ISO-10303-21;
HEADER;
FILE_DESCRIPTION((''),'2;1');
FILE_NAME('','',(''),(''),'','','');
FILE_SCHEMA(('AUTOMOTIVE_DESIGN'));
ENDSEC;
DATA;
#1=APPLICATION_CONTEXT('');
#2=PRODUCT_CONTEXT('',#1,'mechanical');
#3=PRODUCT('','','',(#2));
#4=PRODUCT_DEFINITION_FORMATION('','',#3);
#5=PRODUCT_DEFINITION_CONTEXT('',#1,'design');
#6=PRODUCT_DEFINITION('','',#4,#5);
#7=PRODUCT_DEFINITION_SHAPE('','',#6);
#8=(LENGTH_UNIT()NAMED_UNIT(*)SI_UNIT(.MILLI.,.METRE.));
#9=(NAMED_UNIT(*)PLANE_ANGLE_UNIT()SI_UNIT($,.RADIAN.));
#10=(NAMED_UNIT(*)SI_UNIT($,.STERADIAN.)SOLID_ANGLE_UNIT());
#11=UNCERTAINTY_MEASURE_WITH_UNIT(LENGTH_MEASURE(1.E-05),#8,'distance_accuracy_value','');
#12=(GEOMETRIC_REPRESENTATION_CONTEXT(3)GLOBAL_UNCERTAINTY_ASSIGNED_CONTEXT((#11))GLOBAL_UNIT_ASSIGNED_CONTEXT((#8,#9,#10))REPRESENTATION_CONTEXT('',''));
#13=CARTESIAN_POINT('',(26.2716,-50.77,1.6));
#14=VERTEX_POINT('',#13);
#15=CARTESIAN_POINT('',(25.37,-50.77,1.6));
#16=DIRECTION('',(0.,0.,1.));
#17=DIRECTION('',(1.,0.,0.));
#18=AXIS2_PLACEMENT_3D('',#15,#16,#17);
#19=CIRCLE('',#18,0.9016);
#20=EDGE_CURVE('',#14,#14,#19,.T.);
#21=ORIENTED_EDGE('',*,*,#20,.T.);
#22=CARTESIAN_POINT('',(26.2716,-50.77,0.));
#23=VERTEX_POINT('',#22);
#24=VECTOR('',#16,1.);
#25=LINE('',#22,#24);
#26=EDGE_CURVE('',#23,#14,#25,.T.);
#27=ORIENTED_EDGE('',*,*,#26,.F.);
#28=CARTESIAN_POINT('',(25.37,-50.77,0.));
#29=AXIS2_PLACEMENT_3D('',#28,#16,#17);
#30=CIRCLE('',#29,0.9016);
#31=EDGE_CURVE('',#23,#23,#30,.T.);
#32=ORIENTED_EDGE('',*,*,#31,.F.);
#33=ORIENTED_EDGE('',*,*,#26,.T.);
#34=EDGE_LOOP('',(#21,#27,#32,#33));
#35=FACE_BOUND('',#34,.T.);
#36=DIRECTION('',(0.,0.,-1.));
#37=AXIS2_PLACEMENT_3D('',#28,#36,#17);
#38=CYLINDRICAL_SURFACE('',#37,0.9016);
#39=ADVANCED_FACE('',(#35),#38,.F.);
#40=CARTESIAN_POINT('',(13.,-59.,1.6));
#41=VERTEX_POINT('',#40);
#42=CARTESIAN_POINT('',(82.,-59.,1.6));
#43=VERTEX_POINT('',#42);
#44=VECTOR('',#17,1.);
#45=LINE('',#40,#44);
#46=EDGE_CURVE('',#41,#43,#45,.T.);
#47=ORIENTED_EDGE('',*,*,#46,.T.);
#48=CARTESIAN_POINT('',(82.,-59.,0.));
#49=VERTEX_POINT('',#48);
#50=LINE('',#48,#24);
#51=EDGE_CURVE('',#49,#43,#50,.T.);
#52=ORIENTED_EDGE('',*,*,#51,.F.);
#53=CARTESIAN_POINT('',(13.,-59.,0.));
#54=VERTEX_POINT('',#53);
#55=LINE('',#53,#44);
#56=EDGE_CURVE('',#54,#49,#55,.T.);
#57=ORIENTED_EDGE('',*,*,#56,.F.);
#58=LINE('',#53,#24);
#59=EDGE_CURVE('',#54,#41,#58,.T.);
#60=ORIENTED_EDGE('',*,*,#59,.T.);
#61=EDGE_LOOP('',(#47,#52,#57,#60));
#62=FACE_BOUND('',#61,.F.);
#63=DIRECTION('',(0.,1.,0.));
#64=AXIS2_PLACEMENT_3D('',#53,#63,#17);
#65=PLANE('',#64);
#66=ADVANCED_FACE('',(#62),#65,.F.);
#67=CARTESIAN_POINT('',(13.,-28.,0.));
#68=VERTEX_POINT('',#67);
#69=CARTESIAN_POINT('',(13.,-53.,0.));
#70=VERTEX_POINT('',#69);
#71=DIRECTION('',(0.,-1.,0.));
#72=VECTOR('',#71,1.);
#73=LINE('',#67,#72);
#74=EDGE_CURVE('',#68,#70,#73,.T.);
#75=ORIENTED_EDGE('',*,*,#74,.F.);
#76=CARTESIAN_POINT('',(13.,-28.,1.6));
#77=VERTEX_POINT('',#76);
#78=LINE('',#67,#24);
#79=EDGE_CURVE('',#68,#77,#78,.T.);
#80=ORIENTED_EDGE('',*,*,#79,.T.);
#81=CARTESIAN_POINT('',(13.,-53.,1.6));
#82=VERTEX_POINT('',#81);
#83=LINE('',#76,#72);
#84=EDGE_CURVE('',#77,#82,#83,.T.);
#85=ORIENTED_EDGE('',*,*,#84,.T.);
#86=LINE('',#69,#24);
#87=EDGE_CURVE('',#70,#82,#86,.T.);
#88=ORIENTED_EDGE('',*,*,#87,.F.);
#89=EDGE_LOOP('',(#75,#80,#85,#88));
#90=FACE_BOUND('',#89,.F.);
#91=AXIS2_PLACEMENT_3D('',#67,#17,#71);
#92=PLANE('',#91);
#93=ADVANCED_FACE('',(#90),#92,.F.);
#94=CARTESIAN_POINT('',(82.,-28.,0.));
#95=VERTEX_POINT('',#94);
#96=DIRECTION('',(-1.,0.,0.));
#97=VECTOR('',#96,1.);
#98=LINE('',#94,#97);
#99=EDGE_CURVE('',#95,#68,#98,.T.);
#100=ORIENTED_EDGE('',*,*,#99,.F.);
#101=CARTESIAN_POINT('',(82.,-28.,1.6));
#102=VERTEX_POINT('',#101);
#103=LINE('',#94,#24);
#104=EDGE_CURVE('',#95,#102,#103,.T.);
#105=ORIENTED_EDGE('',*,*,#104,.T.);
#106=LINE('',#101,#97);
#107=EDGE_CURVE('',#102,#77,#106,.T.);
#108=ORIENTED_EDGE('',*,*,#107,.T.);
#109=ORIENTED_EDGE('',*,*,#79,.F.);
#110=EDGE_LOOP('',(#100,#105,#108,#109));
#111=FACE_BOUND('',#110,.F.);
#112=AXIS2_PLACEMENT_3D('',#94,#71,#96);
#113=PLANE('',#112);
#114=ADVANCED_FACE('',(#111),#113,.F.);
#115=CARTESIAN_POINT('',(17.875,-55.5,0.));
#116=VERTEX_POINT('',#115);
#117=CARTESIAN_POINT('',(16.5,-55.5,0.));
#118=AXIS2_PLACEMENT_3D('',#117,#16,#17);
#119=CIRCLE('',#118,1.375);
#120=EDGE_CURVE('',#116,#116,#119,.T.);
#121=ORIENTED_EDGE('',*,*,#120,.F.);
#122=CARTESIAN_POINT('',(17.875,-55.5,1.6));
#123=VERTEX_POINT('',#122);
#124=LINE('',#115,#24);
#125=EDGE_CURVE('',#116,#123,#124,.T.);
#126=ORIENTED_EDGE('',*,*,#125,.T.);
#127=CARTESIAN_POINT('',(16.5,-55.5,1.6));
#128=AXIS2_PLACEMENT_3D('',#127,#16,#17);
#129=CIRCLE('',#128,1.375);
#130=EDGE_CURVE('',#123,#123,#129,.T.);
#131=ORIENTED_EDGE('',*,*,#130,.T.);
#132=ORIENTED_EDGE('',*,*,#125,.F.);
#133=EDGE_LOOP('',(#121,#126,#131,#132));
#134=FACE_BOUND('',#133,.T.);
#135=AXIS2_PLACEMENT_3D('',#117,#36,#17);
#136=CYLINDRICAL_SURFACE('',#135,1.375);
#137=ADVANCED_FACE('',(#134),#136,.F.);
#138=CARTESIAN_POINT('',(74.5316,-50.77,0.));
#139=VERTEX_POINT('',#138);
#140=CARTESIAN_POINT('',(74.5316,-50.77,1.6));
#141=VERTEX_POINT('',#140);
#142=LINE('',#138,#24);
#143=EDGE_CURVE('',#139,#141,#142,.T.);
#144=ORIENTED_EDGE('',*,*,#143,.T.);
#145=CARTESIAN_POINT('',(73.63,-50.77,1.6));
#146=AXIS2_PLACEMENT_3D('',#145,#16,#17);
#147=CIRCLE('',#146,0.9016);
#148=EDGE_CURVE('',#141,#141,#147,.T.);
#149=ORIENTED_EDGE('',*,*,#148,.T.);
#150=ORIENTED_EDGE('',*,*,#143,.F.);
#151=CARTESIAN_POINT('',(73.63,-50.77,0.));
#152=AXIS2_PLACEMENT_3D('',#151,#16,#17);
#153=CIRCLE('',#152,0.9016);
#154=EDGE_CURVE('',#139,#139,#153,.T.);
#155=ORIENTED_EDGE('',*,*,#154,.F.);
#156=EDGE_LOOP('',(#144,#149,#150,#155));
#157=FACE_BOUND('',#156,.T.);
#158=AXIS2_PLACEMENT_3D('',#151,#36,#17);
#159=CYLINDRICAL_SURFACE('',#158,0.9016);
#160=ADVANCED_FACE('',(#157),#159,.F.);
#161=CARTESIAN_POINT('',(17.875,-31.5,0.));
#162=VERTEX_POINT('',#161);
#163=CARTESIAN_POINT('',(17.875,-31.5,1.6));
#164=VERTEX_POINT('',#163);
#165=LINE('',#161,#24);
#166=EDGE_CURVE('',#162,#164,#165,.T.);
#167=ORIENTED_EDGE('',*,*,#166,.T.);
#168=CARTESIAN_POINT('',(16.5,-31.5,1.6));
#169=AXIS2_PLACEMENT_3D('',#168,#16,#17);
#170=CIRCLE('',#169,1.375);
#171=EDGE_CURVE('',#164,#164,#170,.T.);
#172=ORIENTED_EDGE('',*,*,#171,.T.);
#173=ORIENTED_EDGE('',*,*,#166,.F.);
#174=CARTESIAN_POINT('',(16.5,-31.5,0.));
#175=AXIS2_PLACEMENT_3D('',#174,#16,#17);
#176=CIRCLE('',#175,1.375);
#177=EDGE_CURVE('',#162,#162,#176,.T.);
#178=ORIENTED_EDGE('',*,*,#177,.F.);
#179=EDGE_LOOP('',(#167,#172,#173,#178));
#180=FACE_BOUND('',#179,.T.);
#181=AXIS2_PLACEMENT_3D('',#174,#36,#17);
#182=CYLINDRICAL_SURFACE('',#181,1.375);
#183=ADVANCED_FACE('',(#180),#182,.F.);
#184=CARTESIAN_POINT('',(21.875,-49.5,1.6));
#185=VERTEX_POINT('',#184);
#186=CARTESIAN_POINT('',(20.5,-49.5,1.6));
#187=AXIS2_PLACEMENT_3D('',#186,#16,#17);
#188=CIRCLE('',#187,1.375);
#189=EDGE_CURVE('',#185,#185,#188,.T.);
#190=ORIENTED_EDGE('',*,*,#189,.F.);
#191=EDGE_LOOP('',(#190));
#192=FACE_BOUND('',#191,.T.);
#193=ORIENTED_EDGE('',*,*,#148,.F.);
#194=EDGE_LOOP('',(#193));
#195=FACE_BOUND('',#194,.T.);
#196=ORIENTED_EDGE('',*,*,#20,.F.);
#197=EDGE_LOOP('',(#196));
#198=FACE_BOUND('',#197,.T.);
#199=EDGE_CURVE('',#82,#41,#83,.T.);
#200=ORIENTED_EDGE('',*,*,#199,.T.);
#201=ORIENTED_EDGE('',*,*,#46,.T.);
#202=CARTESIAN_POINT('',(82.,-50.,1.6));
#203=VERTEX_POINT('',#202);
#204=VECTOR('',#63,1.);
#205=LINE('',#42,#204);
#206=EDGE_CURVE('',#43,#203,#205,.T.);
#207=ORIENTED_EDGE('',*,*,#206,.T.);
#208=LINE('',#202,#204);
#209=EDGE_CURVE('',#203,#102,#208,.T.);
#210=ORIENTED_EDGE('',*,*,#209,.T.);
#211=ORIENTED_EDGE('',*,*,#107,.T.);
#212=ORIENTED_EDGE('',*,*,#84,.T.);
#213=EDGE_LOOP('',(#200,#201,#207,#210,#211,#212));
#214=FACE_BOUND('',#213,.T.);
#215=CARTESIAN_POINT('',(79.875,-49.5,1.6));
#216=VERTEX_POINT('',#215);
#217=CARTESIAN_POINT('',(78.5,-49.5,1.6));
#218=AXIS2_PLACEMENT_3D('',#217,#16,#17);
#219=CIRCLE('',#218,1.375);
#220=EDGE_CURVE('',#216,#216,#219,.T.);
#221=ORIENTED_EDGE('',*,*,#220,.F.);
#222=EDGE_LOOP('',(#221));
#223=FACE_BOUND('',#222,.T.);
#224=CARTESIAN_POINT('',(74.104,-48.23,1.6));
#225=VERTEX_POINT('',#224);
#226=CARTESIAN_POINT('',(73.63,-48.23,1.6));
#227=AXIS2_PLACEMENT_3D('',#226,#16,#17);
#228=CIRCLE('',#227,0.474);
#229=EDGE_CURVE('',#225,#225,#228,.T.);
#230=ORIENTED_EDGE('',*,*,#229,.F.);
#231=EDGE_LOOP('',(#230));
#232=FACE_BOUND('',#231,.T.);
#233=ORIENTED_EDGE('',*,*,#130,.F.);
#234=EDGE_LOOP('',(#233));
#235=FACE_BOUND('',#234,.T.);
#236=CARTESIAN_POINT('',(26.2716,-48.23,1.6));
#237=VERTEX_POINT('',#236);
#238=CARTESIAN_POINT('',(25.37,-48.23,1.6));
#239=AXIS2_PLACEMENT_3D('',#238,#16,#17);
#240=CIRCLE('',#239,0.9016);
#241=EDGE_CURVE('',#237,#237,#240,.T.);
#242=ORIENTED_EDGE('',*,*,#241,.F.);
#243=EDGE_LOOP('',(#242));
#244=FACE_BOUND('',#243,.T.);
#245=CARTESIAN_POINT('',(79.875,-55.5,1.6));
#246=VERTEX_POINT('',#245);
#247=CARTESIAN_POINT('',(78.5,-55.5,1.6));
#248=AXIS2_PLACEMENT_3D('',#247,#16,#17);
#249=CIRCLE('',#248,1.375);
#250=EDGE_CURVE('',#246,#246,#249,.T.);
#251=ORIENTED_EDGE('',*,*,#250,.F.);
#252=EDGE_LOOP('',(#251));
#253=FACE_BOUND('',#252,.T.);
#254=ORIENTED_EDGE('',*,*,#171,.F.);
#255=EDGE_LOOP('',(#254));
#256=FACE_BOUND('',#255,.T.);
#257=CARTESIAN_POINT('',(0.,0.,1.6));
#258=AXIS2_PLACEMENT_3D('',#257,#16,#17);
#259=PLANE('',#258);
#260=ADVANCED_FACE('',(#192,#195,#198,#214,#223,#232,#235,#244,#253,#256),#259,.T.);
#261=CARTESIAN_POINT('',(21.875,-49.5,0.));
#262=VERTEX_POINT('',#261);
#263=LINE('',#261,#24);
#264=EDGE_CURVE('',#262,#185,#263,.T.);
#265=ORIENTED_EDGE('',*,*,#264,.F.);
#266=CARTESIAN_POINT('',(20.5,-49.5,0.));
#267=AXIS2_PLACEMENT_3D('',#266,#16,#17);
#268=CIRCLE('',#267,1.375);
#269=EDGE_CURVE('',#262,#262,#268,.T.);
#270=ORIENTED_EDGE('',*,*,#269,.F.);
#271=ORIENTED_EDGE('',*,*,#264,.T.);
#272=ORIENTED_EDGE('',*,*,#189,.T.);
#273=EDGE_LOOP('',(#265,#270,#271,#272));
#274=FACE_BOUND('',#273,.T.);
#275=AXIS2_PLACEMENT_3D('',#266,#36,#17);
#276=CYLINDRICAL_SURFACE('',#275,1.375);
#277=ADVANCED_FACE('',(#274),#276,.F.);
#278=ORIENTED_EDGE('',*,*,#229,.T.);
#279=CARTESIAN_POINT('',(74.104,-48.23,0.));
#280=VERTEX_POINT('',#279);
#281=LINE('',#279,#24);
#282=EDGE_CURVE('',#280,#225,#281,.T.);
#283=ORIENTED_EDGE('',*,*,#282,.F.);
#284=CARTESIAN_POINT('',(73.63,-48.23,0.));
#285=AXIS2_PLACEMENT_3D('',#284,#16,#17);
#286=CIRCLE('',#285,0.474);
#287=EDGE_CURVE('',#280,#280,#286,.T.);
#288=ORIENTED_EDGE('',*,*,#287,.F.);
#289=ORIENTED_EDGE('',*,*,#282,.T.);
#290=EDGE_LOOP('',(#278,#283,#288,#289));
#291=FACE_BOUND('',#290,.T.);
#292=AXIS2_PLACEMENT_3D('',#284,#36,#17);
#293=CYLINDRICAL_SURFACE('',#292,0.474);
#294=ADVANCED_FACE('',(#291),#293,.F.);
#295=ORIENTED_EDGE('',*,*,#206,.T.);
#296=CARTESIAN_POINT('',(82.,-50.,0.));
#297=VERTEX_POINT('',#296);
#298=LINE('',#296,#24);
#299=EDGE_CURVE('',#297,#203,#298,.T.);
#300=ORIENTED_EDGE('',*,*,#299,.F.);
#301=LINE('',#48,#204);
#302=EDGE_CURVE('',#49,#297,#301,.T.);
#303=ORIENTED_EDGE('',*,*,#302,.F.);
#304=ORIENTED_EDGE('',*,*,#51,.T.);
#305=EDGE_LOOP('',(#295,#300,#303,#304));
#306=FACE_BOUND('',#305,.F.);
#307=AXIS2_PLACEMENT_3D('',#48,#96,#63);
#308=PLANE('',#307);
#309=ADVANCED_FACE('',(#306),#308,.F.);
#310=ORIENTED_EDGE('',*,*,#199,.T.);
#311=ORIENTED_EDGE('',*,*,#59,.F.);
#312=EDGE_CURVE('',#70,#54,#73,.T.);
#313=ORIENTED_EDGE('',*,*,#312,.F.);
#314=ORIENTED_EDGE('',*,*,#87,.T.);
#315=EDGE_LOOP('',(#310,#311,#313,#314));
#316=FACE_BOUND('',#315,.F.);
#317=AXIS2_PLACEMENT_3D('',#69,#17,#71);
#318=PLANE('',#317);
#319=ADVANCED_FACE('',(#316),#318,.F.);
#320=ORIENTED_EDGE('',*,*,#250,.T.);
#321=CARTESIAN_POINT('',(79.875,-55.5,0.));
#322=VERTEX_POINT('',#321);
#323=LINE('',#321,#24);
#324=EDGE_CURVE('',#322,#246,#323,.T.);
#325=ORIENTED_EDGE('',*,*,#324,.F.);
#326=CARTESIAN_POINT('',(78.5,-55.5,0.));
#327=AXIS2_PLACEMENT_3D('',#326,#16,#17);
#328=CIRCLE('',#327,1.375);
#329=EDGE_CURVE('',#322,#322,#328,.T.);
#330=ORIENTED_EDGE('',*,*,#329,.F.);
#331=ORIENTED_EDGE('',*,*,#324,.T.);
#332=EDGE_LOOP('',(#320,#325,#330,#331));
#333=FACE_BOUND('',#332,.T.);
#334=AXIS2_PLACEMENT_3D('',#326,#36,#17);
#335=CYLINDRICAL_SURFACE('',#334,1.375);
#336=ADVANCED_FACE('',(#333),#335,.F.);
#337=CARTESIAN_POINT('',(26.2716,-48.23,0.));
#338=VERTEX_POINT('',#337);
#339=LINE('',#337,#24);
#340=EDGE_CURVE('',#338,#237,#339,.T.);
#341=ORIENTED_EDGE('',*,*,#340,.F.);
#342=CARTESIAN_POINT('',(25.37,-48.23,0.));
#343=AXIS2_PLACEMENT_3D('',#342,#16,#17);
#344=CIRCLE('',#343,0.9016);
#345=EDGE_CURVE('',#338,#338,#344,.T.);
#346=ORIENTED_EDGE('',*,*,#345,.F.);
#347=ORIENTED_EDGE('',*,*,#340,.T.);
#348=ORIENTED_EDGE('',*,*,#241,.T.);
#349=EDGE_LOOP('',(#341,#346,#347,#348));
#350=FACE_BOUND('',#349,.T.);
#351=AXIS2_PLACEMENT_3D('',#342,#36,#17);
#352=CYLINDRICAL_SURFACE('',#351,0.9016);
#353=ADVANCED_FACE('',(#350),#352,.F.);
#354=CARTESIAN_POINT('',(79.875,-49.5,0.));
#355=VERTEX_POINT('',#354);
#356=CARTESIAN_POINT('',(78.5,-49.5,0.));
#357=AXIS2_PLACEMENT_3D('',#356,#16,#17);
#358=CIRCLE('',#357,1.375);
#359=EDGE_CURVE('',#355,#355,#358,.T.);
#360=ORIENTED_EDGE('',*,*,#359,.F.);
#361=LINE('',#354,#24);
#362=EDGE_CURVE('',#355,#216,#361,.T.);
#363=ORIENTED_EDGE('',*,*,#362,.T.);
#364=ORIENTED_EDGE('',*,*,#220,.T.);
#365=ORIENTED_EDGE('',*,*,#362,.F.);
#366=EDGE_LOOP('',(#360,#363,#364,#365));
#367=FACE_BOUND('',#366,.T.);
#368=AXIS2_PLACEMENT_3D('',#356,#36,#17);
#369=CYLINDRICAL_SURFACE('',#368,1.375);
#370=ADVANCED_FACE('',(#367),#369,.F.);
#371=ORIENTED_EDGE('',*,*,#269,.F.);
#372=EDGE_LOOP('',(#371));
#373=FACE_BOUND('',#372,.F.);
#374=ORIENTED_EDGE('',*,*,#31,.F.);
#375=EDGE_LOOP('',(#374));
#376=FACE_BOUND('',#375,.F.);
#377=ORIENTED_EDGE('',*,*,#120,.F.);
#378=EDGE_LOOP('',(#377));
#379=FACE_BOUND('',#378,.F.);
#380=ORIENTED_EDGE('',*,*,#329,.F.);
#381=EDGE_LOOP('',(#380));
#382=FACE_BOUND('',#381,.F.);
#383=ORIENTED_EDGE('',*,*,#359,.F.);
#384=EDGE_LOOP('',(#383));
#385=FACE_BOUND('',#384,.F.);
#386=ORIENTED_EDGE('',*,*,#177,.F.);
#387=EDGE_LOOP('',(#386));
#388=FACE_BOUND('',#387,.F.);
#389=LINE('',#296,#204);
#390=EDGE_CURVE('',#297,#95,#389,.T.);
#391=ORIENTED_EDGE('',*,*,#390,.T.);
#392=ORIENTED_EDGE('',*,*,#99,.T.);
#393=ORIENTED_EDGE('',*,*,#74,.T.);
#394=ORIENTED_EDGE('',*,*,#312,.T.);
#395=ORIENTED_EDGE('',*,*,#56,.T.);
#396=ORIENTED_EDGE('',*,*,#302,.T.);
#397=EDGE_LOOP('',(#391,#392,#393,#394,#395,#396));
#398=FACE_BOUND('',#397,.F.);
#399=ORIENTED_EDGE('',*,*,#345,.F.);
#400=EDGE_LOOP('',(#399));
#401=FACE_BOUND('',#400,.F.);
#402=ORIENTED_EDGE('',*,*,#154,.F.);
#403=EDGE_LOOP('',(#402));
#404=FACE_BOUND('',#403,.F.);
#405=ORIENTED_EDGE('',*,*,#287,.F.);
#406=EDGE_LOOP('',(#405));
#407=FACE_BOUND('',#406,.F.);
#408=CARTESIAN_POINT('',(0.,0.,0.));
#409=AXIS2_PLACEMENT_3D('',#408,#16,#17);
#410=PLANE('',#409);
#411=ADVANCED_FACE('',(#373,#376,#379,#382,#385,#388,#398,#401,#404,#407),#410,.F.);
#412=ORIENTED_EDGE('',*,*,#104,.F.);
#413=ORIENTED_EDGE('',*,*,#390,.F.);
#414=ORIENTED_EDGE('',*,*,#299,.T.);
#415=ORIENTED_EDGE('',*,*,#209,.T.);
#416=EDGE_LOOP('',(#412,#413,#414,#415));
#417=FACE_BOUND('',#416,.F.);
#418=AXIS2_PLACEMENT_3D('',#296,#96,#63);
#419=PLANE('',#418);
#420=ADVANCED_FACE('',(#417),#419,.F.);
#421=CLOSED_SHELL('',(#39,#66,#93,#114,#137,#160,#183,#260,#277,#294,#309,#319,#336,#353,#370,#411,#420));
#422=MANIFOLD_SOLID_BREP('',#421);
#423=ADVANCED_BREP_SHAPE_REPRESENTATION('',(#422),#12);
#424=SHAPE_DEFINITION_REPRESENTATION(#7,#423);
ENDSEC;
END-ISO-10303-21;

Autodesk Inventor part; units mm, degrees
ref_plane "YZ Plane" through (0, 0, 0) normal (1, 0, 0) x (0, 1, 0)
ref_plane "XZ Plane" through (0, 0, 0) normal (0, 1, 0) x (-1, 0, 0)
ref_plane "XY Plane" through (0, 0, 0) normal (0, 0, 1) x (1, 0, 0)
sketch "Sketch1" plane through (0, 0, 0) normal (0, 0, 1) x (1, 0, 0)
  line L0 (0, -53) -> (79, -53) projected
  line L1 (82, -50) -> (82, 0) projected
  circle A0 centre (78.5, -49.5) radius 1.375 projected
  circle A1 centre (20.5, -49.5) radius 1.375 projected
  line L2 (35.3891, -15.1062) -> (35.3891, -19.5) projected
  line L3 (35.3891, -19.5) -> (38.2391, -19.5) projected
  line L4 (38.2391, -19.5) -> (38.2391, -16.9) projected
  line L5 (38.2391, -16.9) -> (36.6891, -16.9) projected
  line L6 (36.6891, -16.9) -> (36.6891, -0.1) projected
  line L7 (36.6891, -0.1) -> (38.2391, -0.1) projected
  line L8 (38.2391, -0.1) -> (38.2391, 2.5) projected
  line L9 (38.2391, 2.5) -> (35.3891, 2.5) projected
  line L10 (35.3891, 2.5) -> (35.3891, -1.8938) projected
  line L11 (35.3891, -1.8938) -> (34.3391, -2.5) projected
  line L12 (34.3391, -2.5) -> (34.3391, -14.5) projected
  line L13 (34.3391, -14.5) -> (35.3891, -15.1062) projected
  line L14 (12.09, -50.25) -> (12.09, -37.75) projected
  circle A2 centre (25.37, -48.23) radius 0.9016 projected
  circle A3 centre (25.37, -50.77) radius 0.9016 projected
  circle A4 centre (73.63, -50.77) radius 0.9016 projected
  circle A5 centre (73.63, -48.23) radius 0.474 projected
  line L15 (13, -59) -> (82, -59)
  line L16 (82, -59) -> (82, -28)
  line L17 (82, -28) -> (13, -28)
  line L18 (13, -28) -> (13, -59)
  circle A6 centre (16.5, -55.5) radius 1.375
  circle A7 centre (16.5, -31.5) radius 1.375
  circle A8 centre (78.5, -55.5) radius 1.375
  point P0 (0, 0)
  dimension "d0" = 69
  dimension "d1" = 6
  dimension "d2" = 25
  dimension "d3" = 2.75
  dimension "d4" = 3.5
  dimension "d5" = 3.5
  dimension "d6" = 2.75
  dimension "d7" = 3.5
  dimension "d8" = 3.5
  dimension "d9" = 2.75
  dimension "d10" = 3.5
  dimension "d11" = 3.5
extrude "Extrusion1" add sketch "Sketch1" along normal blind 1.6 contours L16 L15 L18 L17 L1
properties part number "ShieldBare"
